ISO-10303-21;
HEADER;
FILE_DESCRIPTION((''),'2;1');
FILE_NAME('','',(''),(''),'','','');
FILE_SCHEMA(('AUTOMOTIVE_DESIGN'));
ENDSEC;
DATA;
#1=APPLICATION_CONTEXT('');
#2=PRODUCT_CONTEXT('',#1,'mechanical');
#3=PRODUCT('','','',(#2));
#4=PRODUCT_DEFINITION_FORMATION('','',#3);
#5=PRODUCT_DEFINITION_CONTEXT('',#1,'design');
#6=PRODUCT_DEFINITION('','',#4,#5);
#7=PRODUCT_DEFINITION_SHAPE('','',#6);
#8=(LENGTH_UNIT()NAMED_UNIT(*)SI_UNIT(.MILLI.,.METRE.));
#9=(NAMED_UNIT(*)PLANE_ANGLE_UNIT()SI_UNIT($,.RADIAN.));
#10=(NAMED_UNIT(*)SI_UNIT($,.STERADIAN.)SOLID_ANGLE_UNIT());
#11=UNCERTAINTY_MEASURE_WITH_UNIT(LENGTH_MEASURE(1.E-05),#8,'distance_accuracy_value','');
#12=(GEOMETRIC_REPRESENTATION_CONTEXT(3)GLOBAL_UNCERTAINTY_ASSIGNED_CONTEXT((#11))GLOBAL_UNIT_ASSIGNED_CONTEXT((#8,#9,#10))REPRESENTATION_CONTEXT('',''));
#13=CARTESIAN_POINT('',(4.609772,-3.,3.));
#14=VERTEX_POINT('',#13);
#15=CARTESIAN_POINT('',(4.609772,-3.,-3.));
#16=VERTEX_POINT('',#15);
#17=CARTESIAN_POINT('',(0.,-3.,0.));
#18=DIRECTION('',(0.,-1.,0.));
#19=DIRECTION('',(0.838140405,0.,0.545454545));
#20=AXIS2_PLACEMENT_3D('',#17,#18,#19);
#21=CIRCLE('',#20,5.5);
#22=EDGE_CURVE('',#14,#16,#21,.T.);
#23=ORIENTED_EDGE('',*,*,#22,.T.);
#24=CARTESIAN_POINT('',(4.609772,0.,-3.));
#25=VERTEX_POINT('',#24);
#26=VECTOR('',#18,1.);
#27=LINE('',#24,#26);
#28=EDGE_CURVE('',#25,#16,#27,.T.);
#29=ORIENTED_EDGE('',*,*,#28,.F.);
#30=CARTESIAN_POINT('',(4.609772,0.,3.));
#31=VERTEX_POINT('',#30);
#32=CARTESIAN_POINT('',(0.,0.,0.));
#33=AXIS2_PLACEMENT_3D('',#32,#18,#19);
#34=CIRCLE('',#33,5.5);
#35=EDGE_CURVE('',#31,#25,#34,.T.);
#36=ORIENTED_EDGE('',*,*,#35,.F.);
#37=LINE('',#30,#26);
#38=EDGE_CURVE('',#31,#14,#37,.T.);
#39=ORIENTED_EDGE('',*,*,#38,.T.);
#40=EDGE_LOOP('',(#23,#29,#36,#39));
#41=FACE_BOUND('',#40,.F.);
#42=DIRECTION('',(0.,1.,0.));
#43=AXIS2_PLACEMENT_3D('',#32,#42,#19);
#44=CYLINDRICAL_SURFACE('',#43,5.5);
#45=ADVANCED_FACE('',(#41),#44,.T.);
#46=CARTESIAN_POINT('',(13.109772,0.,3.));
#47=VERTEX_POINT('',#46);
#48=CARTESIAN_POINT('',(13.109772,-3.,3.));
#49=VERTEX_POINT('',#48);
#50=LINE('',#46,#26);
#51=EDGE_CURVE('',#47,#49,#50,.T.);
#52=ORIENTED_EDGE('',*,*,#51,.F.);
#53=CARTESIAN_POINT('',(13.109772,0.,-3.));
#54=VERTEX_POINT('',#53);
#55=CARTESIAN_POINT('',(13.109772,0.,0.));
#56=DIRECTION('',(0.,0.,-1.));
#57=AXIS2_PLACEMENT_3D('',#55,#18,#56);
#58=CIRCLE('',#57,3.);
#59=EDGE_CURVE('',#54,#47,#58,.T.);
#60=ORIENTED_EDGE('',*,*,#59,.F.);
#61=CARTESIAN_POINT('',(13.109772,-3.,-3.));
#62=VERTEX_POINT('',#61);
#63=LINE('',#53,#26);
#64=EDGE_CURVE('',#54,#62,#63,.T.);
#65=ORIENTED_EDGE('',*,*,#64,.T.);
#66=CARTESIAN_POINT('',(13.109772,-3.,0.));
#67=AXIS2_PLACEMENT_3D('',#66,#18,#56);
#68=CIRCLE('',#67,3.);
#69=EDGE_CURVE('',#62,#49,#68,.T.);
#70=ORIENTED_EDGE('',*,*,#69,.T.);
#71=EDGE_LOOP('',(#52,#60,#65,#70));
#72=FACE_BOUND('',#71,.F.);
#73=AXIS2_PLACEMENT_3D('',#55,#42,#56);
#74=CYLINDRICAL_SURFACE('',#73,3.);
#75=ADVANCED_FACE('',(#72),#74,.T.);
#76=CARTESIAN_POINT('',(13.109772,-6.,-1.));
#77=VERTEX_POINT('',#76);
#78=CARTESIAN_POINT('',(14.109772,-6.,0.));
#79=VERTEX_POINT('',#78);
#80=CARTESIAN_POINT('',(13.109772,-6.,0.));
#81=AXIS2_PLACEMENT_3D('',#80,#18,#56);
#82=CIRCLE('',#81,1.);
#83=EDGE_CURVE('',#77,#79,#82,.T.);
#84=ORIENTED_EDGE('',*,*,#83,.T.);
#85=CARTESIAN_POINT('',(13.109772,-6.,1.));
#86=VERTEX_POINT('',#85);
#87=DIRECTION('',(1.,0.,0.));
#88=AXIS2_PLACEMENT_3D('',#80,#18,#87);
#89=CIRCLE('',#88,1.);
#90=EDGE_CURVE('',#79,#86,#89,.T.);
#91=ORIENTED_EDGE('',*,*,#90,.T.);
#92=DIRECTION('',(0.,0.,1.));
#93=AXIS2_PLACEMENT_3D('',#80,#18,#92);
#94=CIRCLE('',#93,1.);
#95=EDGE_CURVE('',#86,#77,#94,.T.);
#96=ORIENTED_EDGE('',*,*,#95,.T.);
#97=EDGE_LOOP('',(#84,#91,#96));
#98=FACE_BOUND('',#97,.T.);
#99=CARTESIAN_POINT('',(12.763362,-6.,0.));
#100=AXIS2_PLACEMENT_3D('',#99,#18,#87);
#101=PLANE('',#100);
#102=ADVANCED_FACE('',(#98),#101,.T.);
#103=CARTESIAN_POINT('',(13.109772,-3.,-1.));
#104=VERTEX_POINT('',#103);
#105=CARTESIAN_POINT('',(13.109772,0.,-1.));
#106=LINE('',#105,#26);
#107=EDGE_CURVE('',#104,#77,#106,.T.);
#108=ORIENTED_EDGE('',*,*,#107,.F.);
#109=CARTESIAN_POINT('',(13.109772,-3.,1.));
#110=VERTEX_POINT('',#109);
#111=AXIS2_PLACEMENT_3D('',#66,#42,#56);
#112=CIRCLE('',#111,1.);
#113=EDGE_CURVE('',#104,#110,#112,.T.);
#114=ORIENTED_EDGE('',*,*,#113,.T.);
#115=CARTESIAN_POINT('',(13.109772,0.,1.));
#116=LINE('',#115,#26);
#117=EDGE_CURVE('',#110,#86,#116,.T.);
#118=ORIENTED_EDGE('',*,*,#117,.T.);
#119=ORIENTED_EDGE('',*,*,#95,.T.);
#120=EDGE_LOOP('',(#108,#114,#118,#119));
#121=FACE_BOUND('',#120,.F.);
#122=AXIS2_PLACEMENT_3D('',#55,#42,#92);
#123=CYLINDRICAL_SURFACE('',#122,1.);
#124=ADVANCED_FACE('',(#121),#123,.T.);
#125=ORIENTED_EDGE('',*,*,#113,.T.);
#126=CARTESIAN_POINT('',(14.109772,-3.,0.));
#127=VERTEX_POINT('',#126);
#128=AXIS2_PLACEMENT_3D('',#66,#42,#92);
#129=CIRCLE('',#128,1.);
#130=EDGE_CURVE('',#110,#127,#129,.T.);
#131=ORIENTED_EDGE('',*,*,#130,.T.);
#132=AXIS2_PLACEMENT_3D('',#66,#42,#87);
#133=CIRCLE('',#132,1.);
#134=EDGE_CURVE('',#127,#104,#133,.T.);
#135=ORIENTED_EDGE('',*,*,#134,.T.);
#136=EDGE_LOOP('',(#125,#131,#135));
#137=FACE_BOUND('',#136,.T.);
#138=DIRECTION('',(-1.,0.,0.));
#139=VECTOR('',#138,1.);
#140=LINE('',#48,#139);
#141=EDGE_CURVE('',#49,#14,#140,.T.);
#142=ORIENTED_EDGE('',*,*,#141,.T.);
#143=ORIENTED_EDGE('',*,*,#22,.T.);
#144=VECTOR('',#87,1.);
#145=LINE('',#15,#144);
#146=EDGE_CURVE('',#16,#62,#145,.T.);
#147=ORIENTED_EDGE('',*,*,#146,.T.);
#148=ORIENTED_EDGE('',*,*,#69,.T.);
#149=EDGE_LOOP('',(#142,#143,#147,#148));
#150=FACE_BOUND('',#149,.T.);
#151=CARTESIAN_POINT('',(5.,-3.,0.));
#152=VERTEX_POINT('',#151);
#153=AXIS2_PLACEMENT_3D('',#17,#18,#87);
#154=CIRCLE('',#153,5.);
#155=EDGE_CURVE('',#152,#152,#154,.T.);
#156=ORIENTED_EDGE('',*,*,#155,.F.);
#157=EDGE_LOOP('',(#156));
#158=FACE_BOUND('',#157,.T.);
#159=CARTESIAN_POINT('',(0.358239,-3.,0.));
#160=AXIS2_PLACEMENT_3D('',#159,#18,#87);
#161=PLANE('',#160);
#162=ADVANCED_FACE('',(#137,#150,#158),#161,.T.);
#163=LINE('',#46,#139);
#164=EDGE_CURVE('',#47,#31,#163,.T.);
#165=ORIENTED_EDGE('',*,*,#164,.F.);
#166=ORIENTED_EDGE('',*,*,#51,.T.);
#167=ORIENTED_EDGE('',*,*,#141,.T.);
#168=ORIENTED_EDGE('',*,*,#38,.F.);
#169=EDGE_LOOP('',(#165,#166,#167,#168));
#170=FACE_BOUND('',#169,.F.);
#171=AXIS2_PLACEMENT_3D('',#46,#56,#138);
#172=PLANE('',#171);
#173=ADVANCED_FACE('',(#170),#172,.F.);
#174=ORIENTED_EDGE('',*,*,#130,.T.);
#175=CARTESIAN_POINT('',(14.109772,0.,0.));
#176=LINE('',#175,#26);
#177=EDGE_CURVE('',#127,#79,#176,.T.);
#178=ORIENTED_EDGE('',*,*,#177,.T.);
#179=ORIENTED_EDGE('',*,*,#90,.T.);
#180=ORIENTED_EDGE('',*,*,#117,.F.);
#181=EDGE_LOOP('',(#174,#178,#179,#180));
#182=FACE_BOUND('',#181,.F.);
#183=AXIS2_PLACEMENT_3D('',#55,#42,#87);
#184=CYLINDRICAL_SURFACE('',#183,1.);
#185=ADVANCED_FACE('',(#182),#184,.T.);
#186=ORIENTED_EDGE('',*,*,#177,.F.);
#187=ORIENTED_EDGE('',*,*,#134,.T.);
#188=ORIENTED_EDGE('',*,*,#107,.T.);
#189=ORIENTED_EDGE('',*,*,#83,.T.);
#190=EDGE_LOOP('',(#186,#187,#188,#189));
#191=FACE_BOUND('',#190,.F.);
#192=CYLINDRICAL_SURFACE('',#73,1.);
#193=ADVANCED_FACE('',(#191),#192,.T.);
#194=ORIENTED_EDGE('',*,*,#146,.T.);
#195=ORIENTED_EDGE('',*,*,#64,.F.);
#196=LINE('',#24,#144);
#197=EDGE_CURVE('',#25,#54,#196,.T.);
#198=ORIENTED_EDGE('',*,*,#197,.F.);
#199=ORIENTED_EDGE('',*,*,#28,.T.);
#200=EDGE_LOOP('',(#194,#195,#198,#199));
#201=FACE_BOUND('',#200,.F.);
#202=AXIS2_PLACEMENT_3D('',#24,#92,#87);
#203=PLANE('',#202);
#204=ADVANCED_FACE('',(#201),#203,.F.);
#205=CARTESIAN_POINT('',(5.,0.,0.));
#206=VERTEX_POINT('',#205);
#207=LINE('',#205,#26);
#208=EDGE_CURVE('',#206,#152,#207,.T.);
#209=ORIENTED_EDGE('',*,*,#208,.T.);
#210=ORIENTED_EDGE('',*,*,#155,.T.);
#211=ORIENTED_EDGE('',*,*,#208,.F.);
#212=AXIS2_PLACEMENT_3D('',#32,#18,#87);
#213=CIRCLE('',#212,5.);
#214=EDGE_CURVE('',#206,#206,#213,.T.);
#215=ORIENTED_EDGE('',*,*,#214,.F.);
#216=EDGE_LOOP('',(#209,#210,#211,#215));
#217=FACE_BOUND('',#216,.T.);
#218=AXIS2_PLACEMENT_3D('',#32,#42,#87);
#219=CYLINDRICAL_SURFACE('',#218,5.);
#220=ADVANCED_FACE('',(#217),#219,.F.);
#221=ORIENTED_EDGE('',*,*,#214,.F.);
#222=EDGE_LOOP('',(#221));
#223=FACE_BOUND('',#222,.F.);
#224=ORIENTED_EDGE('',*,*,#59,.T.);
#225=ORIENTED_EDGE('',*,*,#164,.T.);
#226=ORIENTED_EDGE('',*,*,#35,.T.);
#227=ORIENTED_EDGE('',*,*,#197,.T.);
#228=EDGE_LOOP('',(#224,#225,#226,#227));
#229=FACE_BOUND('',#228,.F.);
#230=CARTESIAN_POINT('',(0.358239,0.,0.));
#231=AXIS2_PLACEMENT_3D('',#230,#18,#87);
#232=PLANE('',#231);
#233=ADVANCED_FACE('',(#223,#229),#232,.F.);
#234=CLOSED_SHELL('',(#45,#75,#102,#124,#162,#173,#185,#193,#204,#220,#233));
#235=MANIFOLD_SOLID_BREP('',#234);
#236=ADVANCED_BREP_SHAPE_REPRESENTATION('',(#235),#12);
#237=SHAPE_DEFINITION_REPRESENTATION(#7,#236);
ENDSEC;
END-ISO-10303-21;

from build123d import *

# Parameters (mm, degrees)
F0_R     = 5
F1_DEPTH = 3
F2_DEPTH = 6


with BuildPart() as f1:
    # F0 (on Front) → F1 (new body)
    with BuildSketch(Plane.XZ):
        with BuildLine():
            ThreePointArc((4.6097722286, -3), (5.2727482046, -1.564648961), (5.5, 0))
            ThreePointArc((5.5, 0), (5.2727482046, 1.564648961), (4.6097722286, 3))
            ThreePointArc((4.6097722286, 3), (-5.5, 0), (4.6097722286, -3))
        make_face()
        Circle(F0_R, mode=Mode.SUBTRACT)
        with BuildLine():
            ThreePointArc((4.6097722286, 3), (5.2727482046, 1.564648961), (5.5, 0))
            ThreePointArc((5.5, 0), (5.2727482046, -1.564648961), (4.6097722286, -3))
            Line((4.6097722286, -3), (13.1097722286, -3))
            Line((13.1097722286, -3), (13.1097722286, -1))
            ThreePointArc((13.1097722286, -1), (12.1097722286, 0), (13.1097722286, 1))
            Line((13.1097722286, 1), (13.1097722286, 3))
            Line((13.1097722286, 3), (4.6097722286, 3))
        make_face()
        with BuildLine():
            ThreePointArc((13.1097722286, -3), (16.1097722286, 0), (13.1097722286, 3))
            Line((13.1097722286, 3), (13.1097722286, 1))
            ThreePointArc((13.1097722286, 1), (13.8168790098, 0.7071067812), (14.1097722286, 0))
            ThreePointArc((14.1097722286, 0), (13.8168790098, -0.7071067812), (13.1097722286, -1))
            Line((13.1097722286, -1), (13.1097722286, -3))
        make_face()
    extrude(amount=F1_DEPTH)

    # F0 (on Front) → F2 (join)
    with BuildSketch(Plane.XZ):
        with BuildLine():
            Line((13.1097722286, -1), (13.1097722286, 1))
            ThreePointArc((13.1097722286, 1), (12.1097722286, 0), (13.1097722286, -1))
        make_face()
        with BuildLine():
            ThreePointArc((14.1097722286, 0), (13.8168790098, 0.7071067812), (13.1097722286, 1))
            Line((13.1097722286, 1), (13.1097722286, -1))
            ThreePointArc((13.1097722286, -1), (13.8168790098, -0.7071067812), (14.1097722286, 0))
        make_face()
    extrude(amount=F2_DEPTH)


solid = f1.part
